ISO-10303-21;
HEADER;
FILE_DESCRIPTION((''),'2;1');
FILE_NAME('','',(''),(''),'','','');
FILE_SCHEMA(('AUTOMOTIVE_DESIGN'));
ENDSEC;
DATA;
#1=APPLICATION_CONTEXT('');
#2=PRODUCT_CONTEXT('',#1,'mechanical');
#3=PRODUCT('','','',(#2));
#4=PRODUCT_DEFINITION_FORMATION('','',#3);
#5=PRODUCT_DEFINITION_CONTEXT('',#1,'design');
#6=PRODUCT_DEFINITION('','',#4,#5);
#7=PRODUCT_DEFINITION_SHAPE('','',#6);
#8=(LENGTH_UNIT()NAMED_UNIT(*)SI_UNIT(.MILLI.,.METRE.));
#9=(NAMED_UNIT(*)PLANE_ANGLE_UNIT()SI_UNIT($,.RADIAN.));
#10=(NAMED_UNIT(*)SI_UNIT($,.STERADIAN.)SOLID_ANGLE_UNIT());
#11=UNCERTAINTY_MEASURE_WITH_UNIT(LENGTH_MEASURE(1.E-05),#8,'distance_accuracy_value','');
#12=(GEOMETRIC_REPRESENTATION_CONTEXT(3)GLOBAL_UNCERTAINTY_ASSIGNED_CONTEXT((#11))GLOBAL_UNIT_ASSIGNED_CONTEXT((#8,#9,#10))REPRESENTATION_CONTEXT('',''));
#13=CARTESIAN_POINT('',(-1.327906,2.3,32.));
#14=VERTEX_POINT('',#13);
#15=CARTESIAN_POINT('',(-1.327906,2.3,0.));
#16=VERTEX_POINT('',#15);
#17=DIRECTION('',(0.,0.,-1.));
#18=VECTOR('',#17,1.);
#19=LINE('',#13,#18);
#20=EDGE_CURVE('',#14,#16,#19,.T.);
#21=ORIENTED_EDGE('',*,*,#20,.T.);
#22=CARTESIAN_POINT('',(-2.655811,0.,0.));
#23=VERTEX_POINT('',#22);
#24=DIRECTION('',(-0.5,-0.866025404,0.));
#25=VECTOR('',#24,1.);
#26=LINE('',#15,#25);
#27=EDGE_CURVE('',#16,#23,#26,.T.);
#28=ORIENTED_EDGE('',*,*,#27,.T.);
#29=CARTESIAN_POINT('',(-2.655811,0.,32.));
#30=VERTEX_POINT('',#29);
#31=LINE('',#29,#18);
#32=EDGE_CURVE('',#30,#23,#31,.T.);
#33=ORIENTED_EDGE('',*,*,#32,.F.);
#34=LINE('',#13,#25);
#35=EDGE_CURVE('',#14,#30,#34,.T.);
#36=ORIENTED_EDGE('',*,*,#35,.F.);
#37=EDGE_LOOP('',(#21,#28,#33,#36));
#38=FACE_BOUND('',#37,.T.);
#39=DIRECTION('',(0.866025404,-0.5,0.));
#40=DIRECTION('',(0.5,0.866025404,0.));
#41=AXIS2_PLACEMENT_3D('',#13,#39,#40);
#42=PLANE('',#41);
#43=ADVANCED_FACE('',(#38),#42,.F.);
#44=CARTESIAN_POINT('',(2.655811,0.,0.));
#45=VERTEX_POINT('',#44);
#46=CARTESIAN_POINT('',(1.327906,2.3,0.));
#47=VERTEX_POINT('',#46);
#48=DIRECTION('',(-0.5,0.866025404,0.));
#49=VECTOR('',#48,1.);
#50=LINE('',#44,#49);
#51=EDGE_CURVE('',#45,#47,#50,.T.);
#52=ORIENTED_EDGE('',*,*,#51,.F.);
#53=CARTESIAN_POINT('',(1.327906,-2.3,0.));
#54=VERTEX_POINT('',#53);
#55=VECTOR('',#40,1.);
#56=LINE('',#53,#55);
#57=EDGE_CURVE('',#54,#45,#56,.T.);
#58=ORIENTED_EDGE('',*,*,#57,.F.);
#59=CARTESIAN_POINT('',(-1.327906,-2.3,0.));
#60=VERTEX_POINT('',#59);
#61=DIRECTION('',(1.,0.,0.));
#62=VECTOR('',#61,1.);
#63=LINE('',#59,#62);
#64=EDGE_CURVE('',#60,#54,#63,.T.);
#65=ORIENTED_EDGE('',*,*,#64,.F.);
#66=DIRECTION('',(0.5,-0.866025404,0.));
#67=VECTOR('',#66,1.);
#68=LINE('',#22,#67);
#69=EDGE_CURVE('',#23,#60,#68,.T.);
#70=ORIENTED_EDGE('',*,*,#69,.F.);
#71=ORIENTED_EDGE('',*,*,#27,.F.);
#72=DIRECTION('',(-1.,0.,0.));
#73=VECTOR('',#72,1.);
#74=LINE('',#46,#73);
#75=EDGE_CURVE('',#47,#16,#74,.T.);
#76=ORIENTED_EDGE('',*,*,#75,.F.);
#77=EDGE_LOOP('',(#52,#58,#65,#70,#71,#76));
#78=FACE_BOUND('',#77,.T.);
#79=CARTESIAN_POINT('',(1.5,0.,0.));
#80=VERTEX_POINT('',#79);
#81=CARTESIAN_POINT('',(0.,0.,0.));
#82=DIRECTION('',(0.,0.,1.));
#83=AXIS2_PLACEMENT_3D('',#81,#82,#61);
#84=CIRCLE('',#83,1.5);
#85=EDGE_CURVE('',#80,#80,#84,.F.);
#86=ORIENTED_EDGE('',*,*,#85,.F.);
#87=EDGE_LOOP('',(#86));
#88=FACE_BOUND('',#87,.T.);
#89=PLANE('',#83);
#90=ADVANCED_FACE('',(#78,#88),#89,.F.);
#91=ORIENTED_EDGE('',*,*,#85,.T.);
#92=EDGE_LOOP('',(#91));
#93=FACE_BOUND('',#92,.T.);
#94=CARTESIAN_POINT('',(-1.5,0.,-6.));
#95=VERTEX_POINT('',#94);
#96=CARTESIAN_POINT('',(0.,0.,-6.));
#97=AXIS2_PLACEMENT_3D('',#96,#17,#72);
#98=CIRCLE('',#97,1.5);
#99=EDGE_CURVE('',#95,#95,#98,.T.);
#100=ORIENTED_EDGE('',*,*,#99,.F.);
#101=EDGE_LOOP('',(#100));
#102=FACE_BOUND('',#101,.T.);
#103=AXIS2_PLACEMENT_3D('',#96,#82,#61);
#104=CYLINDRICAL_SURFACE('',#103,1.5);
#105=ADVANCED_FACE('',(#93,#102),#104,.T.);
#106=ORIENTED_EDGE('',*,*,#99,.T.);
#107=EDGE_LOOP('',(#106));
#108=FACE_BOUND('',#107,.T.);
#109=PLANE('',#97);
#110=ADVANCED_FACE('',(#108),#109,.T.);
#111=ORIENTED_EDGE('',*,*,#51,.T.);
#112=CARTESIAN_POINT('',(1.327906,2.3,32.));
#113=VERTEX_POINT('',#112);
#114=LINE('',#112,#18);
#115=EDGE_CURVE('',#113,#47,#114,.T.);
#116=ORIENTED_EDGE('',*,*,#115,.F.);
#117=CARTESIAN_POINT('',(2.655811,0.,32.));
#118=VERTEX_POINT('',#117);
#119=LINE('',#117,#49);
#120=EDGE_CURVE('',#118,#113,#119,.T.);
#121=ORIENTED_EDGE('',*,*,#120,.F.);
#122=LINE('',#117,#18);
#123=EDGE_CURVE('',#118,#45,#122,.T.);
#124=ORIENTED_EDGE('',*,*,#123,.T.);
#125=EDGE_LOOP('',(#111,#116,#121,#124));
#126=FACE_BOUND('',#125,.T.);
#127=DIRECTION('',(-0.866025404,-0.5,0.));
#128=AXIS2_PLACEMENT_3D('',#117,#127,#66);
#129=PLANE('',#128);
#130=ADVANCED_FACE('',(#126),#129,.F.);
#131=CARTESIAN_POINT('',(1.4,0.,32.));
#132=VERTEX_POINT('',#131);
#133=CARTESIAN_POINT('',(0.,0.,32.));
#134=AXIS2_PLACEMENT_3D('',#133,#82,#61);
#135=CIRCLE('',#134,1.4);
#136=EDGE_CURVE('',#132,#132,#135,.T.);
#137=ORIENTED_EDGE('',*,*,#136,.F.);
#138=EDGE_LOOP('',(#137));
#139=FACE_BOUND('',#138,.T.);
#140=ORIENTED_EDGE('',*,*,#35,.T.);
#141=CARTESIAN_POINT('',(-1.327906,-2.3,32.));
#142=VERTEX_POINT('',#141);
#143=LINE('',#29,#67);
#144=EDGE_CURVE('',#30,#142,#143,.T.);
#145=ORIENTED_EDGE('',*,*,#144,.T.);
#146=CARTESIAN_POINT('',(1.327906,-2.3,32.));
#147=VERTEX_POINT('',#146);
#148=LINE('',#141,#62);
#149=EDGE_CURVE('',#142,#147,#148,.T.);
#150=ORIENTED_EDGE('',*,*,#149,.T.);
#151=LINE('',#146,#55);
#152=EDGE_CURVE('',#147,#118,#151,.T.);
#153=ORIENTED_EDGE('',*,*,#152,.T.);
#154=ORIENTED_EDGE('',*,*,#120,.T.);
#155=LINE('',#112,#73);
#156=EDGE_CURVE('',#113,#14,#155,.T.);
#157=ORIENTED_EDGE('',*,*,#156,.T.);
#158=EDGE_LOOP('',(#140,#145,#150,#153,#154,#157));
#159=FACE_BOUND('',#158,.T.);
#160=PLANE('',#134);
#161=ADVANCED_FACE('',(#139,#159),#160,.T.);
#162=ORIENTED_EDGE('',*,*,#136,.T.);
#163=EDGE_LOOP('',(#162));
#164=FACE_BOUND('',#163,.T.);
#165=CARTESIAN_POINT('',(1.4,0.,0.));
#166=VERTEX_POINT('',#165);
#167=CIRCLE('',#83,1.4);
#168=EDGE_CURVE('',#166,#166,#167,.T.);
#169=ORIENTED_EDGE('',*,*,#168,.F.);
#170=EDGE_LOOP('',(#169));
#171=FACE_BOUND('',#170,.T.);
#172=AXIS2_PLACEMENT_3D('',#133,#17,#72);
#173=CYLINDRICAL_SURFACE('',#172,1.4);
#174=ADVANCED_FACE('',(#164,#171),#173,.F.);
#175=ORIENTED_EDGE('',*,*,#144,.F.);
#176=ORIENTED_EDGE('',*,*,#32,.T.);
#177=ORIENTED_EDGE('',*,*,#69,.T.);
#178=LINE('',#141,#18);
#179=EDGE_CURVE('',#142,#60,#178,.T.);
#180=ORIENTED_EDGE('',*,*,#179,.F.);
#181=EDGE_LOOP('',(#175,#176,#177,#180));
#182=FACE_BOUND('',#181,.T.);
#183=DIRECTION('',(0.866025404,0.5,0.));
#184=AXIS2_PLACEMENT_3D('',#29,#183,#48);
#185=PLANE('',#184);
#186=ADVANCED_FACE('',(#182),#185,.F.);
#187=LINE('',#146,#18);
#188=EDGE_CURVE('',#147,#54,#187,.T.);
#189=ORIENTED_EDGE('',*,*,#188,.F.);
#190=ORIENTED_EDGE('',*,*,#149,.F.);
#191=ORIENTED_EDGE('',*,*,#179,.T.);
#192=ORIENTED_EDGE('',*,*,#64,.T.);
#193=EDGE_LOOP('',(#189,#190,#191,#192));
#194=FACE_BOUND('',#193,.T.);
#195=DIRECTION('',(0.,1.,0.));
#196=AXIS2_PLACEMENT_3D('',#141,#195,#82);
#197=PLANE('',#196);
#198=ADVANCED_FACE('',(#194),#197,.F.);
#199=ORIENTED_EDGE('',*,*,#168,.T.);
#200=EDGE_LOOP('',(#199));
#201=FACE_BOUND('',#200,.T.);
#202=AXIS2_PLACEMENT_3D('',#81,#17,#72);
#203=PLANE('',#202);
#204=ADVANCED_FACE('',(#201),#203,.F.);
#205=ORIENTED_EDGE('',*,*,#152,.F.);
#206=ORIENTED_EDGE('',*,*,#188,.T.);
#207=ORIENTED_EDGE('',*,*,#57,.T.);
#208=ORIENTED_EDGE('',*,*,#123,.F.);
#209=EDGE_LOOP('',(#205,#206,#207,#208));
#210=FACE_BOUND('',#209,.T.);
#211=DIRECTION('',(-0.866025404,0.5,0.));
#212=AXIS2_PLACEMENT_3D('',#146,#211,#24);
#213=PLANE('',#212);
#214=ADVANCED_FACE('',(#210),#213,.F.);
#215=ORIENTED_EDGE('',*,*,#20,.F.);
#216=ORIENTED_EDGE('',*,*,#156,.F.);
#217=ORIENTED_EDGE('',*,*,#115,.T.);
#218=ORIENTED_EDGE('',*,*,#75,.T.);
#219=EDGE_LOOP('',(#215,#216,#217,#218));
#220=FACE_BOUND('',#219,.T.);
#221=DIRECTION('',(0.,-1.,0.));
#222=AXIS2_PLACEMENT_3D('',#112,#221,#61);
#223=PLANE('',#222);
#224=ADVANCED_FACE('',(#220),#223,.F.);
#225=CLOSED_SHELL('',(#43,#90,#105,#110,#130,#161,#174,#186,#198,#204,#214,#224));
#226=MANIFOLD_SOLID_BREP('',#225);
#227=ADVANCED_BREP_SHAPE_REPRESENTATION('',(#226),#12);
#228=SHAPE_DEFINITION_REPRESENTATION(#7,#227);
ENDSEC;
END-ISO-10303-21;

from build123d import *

# Parameters (mm, degrees)
SKETCH_1_R      = 1.4
EXTRUDE_1_DEPTH = 32
SKETCH_2_R      = 1.5
EXTRUDE_2_DEPTH = 6


with BuildPart() as part:
    # 草图1 → 凸台-拉伸1 (new body)
    with BuildSketch(Plane.XY):
        Polygon((2.655811238, 0), (1.327905619, 2.3), (-1.327905619, 2.3), (-2.655811238, 0), (-1.327905619, -2.3), (1.327905619, -2.3), align=None)
        Circle(SKETCH_1_R, mode=Mode.SUBTRACT)
    extrude(amount=EXTRUDE_1_DEPTH)

    # 草图2 → 凸台-拉伸2 (add)
    with BuildSketch(Plane(origin=(0, 0, 0), x_dir=(-1, 0, 0), z_dir=(0, 0, -1))):
        Circle(SKETCH_2_R)
    extrude(amount=EXTRUDE_2_DEPTH)


solid = part.part
